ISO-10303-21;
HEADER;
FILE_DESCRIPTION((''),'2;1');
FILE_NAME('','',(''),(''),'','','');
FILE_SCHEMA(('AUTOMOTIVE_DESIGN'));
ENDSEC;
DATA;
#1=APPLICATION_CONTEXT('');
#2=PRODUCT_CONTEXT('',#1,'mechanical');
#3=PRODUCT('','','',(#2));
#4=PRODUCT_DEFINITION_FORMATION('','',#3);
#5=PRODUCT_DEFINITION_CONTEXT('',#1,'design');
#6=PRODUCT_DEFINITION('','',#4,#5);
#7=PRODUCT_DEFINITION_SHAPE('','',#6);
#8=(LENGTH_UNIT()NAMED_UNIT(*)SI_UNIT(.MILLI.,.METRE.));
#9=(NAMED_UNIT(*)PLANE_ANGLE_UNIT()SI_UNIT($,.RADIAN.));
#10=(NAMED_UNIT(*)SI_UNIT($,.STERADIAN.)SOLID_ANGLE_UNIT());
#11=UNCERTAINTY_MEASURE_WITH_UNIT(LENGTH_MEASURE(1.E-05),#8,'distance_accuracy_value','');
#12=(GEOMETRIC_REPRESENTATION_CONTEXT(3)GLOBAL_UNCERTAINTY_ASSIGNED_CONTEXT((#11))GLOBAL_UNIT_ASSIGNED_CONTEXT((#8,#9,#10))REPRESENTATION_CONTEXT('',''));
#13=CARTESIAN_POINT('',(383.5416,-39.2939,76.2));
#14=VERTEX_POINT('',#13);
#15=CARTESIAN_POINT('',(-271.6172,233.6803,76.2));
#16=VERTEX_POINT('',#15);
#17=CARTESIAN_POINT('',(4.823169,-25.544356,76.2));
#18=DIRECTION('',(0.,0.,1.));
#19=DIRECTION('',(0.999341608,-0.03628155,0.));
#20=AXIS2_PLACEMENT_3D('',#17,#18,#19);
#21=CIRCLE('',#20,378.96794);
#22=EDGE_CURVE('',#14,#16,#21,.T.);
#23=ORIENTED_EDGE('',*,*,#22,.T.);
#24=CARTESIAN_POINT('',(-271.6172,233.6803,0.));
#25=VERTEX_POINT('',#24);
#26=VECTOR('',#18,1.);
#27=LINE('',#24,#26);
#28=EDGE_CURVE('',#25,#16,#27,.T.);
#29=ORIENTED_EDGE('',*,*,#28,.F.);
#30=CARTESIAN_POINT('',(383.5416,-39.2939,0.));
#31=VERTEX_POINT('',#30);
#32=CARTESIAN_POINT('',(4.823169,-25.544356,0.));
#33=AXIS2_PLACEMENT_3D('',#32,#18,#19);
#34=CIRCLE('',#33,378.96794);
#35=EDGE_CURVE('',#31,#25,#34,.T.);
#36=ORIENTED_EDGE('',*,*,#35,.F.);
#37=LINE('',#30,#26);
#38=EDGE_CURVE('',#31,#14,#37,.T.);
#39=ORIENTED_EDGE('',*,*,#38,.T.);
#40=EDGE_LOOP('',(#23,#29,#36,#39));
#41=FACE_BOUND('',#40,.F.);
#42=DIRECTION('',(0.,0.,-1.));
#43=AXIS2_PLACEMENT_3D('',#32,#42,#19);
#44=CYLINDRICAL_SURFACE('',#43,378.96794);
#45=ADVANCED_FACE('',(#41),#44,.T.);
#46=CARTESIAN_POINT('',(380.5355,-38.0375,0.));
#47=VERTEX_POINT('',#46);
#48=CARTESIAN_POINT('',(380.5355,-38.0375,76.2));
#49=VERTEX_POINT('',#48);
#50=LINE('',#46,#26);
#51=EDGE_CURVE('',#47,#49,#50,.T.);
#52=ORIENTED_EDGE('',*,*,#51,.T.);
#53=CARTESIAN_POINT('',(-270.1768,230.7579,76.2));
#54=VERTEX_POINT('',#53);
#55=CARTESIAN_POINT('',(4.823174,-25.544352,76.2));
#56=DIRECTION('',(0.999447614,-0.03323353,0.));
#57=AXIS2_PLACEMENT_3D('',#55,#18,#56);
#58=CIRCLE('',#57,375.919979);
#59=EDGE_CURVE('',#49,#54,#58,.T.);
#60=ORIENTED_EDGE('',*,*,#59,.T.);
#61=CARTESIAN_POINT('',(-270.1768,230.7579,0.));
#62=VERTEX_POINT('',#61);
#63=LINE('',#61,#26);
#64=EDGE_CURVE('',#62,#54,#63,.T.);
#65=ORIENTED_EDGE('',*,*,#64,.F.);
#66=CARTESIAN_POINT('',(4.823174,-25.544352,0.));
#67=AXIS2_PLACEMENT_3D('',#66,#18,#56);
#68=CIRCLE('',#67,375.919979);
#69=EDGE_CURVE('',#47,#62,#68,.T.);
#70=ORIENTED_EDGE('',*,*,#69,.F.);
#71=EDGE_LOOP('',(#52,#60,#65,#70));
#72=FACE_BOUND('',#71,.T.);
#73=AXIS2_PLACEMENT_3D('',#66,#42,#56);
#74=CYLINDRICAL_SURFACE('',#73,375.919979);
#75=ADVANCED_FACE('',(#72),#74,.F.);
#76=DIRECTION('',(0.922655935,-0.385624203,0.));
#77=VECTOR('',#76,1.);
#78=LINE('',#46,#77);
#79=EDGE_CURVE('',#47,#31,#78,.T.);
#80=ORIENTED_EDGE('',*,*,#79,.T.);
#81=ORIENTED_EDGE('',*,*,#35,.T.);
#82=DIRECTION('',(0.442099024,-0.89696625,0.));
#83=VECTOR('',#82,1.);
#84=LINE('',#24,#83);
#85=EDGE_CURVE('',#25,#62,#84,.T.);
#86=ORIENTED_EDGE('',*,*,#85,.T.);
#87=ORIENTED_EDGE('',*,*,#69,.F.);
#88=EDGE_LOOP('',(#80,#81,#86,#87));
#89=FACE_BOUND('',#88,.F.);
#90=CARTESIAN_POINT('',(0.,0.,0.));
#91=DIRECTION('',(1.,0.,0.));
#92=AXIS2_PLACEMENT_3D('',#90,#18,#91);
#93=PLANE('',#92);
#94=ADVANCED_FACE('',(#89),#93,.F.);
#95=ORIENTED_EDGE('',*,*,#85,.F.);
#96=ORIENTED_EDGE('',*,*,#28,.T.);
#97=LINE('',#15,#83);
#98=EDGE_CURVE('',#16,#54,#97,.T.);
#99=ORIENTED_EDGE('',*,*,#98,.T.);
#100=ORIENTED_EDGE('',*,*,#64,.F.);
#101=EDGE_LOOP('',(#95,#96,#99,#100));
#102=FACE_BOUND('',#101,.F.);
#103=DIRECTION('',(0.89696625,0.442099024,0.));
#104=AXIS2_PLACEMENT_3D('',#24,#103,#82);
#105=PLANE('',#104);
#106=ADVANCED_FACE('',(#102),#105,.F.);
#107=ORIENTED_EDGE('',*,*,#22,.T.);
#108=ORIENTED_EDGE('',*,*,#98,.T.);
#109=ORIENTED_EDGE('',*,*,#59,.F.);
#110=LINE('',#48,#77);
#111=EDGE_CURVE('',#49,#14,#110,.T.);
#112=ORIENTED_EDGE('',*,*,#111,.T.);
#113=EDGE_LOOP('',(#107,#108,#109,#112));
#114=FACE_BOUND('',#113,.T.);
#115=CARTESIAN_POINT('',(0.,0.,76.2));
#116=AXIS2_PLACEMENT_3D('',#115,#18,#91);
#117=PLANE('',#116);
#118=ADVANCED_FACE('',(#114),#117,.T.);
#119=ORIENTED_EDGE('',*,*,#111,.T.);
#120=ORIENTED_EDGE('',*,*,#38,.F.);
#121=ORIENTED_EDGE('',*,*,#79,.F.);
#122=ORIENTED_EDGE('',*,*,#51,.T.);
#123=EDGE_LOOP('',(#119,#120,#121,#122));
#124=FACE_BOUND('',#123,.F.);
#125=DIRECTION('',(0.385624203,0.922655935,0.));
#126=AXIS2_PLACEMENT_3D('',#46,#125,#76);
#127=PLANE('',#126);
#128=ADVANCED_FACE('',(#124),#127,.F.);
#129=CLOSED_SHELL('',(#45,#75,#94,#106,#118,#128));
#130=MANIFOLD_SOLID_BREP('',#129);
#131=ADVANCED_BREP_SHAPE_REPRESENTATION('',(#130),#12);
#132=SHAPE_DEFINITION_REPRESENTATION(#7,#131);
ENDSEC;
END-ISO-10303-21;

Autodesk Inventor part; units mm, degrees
ref_plane "YZ Plane" through (0, 0, 0) normal (1, 0, 0) x (0, 1, 0)
ref_plane "XZ Plane" through (0, 0, 0) normal (0, 1, 0) x (-1, 0, 0)
ref_plane "XY Plane" through (0, 0, 0) normal (0, 0, 1) x (1, 0, 0)
sketch "Sketch1" plane through (0, 0, 0) normal (0, 0, 1) x (1, 0, 0)
  arc A0 (380.5355, -38.0375) -> (-270.1768, 230.7579) centre (4.8231, -25.5444) ccw
  arc A1 (383.5416, -39.2939) -> (-271.6172, 233.6803) centre (4.8231, -25.5444) ccw
  line L0 (-271.6172, 233.6803) -> (-270.1768, 230.7579)
  line L1 (380.5355, -38.0375) -> (383.5416, -39.2939)
  point P0 (0, 0)
  dimension "d0" = 375.92
  dimension "d1" = 138.92
  dimension "d3" = 138.92
  dimension "d4" = 378.968
extrude "Extrusion1" add sketch "Sketch1" along normal blind 76.2
ref_plane "Work Plane3" through (383.5416, -39.2939, 0) normal (0.9993, -0.0363, 0) x (0.0363, 0.9993, 0)
ref_plane "Work Plane4" through (-271.6172, 233.6803, 0) normal (-0.7295, 0.684, 0) x (-0.684, -0.7295, 0)
equation "\"d3\" = d1"
properties part number "curvedTrack"
